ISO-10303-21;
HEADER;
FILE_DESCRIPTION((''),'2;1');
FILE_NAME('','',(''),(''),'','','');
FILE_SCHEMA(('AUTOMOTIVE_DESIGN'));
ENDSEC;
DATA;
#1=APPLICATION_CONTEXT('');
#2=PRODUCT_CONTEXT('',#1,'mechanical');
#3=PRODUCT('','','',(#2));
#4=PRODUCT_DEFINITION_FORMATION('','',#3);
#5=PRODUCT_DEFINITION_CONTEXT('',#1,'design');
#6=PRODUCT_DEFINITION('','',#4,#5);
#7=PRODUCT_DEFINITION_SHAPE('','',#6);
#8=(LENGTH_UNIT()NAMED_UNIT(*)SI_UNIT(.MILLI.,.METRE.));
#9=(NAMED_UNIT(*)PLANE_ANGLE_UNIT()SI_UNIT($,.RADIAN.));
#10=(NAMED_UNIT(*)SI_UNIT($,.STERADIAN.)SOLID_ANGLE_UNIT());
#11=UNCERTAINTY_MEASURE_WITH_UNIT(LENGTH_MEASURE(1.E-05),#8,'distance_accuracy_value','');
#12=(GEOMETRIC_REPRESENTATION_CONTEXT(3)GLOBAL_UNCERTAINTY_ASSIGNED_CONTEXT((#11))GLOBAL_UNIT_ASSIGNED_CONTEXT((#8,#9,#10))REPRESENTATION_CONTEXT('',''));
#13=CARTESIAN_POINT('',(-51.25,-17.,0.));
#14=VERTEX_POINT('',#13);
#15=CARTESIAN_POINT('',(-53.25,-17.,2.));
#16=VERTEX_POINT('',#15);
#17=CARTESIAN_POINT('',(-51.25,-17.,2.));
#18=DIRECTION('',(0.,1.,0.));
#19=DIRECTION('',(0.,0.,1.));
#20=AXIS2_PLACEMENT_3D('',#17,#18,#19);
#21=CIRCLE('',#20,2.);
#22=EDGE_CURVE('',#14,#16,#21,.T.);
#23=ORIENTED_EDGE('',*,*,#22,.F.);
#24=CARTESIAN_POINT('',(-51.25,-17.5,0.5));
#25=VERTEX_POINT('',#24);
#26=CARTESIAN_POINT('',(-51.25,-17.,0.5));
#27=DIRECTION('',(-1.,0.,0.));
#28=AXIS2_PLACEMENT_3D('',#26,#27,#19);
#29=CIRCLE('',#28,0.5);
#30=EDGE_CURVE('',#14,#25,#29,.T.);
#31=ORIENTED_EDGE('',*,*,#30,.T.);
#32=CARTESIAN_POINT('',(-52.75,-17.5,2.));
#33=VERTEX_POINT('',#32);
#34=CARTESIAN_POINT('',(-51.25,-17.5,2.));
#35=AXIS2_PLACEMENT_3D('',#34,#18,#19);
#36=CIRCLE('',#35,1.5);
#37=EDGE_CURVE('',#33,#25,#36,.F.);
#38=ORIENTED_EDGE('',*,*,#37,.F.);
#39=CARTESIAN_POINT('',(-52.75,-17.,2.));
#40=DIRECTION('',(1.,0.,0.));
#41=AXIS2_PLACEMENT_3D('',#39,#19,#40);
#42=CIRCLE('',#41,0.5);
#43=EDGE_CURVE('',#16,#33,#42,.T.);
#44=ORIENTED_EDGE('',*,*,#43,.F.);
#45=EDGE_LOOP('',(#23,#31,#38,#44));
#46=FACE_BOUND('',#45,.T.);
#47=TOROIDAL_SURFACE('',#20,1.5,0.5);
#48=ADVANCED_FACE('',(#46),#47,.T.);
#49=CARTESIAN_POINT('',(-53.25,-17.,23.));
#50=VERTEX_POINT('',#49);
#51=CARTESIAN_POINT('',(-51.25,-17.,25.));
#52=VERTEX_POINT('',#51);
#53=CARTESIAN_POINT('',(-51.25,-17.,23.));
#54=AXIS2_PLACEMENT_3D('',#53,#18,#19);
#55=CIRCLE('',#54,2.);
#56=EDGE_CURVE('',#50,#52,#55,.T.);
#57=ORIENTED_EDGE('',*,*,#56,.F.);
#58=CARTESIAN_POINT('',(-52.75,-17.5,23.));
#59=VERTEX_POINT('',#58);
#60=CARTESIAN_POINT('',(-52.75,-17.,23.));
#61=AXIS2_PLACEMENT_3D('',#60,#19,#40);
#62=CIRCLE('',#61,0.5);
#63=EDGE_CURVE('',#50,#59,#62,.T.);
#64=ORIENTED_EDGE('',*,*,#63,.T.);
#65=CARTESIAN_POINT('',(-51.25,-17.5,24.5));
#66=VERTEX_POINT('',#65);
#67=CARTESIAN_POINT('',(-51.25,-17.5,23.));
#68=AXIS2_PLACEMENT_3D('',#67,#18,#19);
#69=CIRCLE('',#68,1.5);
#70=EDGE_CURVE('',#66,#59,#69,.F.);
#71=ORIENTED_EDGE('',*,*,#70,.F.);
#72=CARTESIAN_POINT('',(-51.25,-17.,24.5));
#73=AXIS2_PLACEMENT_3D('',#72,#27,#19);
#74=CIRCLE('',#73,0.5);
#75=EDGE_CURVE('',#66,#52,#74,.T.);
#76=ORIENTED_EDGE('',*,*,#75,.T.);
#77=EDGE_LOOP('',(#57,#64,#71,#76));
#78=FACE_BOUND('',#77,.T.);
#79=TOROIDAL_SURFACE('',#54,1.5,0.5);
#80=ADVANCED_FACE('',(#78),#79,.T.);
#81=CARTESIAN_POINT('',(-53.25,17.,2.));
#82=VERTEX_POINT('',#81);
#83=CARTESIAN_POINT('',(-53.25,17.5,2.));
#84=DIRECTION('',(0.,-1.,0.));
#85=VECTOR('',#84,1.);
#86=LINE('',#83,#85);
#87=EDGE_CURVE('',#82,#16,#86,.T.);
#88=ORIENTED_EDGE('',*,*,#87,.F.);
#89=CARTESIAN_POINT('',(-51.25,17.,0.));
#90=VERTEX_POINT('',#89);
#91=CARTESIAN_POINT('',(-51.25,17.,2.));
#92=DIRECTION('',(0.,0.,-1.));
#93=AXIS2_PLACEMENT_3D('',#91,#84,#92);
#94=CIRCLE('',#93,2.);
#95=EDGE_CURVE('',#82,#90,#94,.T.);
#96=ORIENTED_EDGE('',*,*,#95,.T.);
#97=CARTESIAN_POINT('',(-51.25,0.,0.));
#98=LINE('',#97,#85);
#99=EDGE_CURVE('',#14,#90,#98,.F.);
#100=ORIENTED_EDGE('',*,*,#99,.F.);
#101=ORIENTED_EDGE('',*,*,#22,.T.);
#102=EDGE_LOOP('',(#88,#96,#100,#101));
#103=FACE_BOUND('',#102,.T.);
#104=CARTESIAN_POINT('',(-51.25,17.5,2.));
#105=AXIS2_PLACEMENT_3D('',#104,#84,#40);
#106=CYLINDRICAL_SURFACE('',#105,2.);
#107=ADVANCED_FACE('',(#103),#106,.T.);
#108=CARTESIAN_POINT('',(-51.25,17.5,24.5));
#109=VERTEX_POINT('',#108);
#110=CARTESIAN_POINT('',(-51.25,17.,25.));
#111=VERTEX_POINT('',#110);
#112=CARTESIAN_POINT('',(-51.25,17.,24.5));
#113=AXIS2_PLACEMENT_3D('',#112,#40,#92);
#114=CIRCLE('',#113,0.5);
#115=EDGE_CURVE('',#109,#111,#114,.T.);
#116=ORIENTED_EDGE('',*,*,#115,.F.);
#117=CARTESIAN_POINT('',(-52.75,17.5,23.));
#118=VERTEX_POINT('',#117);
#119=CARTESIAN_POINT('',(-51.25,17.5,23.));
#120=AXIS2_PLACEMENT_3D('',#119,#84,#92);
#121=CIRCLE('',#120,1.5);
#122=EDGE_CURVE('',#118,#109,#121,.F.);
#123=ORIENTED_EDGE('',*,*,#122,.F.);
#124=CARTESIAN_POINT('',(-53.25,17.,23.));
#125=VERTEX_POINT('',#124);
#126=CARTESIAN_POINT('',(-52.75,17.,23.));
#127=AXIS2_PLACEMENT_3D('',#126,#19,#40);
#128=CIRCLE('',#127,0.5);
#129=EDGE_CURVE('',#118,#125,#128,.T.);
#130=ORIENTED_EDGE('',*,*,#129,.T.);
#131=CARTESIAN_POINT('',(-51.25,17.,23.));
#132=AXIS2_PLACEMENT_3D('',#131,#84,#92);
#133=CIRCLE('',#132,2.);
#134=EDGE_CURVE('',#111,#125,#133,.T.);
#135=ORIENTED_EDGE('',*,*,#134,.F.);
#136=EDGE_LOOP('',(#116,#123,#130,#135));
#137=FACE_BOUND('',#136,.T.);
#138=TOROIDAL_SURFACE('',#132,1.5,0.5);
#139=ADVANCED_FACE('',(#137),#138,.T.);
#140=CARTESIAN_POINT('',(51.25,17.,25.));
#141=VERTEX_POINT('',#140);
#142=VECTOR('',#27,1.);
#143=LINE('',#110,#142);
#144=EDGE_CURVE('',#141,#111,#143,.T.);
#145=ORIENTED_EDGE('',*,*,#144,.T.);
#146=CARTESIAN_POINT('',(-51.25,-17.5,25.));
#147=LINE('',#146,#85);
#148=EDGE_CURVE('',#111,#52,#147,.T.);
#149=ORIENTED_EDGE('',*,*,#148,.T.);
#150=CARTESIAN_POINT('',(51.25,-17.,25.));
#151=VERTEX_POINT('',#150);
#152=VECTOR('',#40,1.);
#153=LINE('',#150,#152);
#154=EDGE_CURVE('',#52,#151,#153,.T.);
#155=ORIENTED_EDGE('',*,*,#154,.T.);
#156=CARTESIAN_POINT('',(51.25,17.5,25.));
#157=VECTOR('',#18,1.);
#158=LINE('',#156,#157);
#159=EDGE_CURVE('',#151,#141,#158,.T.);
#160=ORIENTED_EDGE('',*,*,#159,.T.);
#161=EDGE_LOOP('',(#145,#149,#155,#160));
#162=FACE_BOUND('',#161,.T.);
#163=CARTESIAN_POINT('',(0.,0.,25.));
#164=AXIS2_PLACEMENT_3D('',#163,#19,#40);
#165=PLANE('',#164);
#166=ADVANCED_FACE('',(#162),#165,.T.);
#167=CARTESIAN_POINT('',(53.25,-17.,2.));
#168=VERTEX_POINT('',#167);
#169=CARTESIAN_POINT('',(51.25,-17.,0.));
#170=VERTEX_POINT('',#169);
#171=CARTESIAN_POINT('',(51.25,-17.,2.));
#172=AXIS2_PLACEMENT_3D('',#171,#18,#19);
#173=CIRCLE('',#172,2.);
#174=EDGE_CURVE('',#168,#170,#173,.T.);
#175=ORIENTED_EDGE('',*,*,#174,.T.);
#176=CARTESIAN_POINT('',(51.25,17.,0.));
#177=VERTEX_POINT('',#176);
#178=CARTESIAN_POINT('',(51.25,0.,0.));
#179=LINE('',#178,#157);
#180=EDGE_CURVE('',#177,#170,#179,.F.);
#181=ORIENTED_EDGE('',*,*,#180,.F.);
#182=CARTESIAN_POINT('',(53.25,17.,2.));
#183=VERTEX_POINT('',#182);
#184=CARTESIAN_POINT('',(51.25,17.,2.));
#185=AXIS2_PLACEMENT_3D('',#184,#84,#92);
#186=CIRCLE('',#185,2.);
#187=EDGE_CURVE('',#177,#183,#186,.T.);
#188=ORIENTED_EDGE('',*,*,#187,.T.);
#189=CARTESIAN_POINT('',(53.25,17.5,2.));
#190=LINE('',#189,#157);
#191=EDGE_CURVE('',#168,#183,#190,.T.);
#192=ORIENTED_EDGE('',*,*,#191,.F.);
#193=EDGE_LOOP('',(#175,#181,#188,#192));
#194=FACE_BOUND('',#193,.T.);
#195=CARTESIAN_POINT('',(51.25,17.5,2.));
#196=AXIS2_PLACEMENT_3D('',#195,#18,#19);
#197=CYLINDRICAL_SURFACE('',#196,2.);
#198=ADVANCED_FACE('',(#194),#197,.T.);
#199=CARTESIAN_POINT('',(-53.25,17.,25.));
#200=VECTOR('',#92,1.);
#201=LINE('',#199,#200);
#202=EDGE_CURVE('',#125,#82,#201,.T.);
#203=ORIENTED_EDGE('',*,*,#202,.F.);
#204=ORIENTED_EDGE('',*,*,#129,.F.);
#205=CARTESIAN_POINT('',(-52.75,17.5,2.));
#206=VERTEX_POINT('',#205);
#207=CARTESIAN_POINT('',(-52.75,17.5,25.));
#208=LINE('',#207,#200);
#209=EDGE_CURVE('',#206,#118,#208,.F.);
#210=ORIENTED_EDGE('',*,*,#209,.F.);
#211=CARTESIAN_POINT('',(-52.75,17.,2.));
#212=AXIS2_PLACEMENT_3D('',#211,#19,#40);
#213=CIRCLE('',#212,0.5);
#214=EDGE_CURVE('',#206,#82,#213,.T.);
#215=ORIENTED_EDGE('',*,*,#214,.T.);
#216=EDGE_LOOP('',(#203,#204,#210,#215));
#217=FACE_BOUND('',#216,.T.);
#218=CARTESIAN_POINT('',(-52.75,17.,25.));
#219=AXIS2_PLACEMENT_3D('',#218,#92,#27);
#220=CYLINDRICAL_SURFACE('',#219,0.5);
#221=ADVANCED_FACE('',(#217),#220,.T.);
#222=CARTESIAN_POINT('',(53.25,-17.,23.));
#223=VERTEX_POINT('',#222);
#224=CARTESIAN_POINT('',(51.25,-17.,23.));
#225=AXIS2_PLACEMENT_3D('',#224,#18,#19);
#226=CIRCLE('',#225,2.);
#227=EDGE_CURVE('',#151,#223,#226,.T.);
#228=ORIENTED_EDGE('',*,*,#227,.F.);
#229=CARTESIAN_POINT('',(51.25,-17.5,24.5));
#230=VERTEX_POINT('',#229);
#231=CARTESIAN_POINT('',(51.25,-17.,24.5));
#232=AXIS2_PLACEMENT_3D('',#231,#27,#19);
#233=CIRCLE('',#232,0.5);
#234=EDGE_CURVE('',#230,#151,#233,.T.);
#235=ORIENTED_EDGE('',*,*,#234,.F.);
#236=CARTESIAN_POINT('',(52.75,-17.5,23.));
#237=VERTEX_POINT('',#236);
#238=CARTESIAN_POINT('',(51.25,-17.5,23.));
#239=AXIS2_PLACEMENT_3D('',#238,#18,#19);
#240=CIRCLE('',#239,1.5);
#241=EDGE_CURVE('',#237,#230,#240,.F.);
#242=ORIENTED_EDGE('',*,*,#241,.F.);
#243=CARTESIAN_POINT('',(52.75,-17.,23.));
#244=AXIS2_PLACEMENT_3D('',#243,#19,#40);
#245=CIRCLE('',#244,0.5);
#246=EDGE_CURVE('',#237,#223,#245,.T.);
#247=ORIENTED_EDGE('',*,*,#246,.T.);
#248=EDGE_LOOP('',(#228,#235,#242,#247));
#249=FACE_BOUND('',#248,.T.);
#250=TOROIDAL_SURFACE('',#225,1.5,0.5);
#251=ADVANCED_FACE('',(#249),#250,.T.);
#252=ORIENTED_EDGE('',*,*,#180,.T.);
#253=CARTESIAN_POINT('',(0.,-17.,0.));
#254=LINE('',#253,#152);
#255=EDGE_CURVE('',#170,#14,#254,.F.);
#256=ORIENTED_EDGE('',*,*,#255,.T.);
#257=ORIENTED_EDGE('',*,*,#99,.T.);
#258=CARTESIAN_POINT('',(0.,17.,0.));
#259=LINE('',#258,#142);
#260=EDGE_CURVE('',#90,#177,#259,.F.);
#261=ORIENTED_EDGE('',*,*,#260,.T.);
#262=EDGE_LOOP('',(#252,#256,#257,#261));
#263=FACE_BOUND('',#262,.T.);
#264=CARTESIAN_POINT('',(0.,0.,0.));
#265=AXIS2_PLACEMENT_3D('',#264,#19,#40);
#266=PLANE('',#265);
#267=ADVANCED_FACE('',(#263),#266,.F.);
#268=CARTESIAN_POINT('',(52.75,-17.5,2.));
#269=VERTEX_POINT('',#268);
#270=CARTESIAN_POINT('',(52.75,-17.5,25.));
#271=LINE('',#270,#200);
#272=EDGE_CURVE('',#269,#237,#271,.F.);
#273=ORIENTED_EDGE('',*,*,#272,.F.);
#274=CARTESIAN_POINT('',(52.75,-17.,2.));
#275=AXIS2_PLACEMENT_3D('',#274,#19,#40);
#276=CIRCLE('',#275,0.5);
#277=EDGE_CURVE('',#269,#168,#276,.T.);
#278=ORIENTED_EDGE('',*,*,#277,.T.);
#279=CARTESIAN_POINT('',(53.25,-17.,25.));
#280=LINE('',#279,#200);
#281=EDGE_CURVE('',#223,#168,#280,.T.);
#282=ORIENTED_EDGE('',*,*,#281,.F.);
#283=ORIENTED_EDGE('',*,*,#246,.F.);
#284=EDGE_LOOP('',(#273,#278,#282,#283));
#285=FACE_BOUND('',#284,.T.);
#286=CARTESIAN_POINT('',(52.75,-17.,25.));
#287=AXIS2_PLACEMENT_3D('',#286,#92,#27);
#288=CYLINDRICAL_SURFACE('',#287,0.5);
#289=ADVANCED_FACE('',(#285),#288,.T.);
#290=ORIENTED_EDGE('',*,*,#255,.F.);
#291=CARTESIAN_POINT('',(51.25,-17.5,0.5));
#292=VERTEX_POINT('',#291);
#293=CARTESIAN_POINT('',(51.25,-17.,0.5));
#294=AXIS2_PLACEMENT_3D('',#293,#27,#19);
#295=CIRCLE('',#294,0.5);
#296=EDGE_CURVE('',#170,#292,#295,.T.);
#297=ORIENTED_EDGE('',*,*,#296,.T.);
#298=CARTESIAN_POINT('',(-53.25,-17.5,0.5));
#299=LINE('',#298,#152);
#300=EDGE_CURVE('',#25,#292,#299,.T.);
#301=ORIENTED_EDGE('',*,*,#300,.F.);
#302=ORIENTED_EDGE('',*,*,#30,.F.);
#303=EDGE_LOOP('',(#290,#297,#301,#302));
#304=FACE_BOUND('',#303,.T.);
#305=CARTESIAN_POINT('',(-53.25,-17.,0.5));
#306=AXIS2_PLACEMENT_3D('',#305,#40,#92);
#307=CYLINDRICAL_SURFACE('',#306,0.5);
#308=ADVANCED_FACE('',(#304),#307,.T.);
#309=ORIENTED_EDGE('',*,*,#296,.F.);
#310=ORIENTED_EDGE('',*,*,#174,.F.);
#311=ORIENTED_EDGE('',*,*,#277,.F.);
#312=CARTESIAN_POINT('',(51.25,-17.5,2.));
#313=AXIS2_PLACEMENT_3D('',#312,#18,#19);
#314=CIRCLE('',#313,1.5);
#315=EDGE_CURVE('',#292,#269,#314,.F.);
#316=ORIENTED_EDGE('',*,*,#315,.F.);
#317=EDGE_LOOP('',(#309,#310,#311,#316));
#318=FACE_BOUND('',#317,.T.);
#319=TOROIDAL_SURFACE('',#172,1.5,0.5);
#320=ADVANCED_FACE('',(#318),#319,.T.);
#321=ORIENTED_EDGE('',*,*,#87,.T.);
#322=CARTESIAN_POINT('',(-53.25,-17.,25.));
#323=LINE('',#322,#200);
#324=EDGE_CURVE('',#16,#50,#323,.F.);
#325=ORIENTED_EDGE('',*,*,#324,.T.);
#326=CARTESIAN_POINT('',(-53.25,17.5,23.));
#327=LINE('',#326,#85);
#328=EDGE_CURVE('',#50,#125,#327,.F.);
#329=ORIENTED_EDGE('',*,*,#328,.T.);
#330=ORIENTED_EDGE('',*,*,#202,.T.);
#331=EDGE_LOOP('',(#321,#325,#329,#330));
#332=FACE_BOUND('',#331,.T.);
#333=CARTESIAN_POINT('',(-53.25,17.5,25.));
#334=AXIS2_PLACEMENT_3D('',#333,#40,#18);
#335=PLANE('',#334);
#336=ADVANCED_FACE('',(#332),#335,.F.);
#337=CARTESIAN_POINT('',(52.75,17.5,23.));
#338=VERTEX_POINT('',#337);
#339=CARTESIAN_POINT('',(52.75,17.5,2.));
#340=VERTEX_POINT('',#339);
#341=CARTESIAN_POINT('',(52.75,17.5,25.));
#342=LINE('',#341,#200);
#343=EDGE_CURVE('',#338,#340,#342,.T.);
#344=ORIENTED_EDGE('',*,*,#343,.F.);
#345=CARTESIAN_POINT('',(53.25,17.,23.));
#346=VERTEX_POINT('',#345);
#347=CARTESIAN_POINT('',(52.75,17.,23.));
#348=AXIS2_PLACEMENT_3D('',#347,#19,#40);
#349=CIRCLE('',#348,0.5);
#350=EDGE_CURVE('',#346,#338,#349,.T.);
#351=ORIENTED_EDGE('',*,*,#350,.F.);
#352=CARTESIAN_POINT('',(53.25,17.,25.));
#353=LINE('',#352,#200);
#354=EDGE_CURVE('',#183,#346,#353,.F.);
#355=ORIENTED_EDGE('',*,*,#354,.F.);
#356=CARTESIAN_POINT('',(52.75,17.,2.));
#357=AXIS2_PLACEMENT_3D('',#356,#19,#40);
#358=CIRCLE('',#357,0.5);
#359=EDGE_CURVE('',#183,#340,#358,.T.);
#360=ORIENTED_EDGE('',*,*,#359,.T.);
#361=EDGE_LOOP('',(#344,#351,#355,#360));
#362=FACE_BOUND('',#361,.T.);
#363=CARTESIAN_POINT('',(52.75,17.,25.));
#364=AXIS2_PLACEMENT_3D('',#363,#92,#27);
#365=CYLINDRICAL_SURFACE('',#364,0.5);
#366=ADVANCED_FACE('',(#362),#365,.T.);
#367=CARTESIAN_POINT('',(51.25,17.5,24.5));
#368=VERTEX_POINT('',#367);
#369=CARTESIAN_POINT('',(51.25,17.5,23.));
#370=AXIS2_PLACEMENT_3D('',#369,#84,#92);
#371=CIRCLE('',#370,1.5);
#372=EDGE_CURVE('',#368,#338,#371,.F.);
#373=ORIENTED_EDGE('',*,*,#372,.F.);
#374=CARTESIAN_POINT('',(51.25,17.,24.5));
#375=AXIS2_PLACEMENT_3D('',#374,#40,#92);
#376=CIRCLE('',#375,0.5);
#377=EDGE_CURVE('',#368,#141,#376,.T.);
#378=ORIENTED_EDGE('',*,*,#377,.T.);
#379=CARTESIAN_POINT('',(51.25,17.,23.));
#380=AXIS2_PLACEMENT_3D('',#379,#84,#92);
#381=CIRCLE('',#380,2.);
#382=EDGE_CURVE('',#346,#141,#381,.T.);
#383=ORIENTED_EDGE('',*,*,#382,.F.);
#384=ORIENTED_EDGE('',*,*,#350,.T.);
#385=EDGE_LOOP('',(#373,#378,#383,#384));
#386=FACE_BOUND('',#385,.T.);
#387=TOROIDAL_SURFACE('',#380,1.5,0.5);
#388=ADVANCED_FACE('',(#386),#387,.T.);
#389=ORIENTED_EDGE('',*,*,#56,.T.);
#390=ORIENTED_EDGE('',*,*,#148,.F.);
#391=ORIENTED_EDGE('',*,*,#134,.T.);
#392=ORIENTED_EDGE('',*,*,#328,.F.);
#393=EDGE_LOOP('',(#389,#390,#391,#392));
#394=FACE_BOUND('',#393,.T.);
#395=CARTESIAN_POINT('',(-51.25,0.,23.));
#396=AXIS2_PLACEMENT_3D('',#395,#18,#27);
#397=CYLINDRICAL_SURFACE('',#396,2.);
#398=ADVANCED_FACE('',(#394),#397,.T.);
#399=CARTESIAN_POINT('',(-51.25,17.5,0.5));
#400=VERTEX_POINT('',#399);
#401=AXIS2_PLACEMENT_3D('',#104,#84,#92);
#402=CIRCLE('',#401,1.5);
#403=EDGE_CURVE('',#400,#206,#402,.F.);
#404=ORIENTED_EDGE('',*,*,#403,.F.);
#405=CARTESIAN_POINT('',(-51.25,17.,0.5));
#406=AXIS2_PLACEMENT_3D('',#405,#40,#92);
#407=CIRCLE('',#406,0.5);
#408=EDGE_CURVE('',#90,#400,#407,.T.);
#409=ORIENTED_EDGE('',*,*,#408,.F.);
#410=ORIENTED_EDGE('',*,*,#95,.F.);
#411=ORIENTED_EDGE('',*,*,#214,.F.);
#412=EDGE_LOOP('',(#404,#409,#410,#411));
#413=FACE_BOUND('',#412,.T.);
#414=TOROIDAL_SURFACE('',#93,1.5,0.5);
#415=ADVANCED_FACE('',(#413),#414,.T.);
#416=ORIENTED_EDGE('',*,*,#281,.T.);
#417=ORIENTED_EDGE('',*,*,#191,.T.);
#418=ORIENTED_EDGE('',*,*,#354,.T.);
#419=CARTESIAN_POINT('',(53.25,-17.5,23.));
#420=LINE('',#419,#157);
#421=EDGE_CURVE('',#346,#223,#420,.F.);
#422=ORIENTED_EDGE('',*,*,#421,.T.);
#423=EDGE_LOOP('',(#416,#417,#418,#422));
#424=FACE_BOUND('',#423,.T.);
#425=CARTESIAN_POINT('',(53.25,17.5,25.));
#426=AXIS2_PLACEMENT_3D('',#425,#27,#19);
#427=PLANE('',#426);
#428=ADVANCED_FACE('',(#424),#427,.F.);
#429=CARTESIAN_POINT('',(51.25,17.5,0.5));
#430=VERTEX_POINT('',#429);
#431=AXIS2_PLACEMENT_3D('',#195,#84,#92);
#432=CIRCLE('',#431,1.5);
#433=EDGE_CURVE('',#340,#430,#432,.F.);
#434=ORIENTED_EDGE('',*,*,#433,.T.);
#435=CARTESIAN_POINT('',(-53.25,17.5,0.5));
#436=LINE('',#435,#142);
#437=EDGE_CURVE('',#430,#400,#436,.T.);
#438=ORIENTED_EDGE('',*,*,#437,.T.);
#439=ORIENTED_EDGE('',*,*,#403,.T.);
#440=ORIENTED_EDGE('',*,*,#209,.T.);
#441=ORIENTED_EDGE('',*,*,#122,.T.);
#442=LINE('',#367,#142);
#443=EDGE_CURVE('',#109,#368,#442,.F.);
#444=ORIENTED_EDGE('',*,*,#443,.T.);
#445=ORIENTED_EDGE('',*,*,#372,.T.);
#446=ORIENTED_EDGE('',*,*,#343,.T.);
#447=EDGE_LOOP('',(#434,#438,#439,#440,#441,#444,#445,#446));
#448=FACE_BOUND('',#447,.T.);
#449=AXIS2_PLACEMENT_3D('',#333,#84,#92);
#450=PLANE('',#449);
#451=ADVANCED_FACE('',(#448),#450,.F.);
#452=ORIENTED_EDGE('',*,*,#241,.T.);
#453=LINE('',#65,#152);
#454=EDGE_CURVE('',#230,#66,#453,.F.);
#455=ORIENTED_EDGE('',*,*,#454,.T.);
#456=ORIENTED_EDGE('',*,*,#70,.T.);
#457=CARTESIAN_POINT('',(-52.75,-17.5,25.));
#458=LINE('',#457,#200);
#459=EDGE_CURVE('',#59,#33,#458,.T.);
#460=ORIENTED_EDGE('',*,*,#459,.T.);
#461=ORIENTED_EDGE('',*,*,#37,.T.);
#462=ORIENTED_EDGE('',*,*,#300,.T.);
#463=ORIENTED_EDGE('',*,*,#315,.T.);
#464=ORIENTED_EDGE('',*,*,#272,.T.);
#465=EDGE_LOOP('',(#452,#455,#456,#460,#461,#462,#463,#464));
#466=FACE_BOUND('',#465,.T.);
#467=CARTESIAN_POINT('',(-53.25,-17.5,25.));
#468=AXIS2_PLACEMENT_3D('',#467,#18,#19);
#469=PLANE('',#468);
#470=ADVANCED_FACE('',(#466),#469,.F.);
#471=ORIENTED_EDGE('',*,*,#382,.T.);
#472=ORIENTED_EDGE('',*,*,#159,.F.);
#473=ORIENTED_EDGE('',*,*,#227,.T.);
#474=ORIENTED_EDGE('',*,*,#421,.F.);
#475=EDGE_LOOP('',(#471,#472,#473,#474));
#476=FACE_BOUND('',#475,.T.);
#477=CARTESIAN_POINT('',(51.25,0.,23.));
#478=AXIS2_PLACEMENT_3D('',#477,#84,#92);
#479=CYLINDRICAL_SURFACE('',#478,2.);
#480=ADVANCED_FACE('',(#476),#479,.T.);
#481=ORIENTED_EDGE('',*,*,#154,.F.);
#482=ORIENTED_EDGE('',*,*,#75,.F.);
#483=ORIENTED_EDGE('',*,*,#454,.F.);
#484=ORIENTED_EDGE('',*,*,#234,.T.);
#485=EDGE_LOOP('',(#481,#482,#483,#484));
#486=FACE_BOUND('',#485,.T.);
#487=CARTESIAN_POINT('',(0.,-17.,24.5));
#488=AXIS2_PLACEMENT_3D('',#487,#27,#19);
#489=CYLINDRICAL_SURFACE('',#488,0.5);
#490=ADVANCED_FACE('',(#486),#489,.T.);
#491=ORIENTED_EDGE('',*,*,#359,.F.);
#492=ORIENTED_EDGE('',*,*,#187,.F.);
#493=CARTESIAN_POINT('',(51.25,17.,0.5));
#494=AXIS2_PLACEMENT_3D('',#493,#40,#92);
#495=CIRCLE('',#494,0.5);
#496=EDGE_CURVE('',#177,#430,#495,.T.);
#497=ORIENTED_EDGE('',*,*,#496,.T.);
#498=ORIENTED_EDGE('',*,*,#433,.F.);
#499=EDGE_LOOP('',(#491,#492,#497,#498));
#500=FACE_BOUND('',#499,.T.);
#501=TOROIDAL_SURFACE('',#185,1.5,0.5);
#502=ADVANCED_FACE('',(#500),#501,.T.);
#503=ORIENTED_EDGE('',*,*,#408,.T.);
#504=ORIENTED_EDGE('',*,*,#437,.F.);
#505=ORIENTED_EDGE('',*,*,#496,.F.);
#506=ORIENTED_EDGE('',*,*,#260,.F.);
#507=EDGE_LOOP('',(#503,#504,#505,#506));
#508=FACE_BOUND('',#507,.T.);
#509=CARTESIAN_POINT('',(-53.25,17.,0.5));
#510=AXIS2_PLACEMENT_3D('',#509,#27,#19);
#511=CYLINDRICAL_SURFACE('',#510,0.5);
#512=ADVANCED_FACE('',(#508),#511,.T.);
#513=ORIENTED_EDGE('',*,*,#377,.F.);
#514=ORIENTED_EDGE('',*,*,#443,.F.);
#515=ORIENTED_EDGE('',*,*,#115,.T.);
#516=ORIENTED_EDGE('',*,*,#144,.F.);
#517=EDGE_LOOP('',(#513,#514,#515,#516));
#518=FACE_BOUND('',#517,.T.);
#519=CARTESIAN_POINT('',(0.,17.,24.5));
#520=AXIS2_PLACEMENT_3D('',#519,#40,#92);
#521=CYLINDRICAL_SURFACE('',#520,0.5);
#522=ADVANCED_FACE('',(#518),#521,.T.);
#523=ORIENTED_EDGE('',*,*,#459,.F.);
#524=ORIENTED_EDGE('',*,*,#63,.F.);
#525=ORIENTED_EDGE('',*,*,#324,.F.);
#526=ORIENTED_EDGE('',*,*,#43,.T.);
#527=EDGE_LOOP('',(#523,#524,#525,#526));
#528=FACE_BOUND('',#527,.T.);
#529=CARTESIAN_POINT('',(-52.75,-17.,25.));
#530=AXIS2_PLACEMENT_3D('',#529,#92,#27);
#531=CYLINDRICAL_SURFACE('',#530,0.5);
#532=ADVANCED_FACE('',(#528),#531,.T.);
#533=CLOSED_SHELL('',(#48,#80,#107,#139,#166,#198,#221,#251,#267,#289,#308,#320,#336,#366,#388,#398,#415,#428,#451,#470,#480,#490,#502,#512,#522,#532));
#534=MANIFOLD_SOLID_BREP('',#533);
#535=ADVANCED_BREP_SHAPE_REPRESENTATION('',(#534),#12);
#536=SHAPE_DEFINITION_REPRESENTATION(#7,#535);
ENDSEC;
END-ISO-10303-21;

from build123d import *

# Parameters (mm, degrees)
SKETCH1_W           = 106.5
SKETCH1_H           = 35
BOSS_EXTRUDE1_DEPTH = 25
FILLET1_R           = 2
FILLET2_R           = 0.5


with BuildPart() as part:
    # Sketch1 → Boss-Extrude1 (new body)
    with BuildSketch(Plane.XY):
        Rectangle(SKETCH1_W, SKETCH1_H)
    extrude(amount=BOSS_EXTRUDE1_DEPTH)

    # Fillet1
    fillet1_edges = [part.edges().sort_by_distance(p)[0] for p in [
        (-53.25, 0, 25),
        (53.25, 0, 25),
        (-53.25, 0, 0),
        (53.25, 0, 0),
    ]]
    fillet(fillet1_edges, radius=FILLET1_R)

    # Fillet2
    fillet2_edges = [part.edges().sort_by_distance(p)[0] for p in [
        (-53.25, -17.5, 12.5),
        (-53.25, 17.5, 12.5),
        (0, -17.5, 0),
        (53.25, -17.5, 12.5),
        (0, -17.5, 25),
        (52.664213562, -17.5, 0.585786438),
        (52.664213562, -17.5, 24.414213562),
        (-52.664213562, -17.5, 24.414213562),
        (-52.664213562, -17.5, 0.585786438),
        (0, 17.5, 0),
        (0, 17.5, 25),
        (53.25, 17.5, 12.5),
        (52.664213562, 17.5, 0.585786438),
        (52.664213562, 17.5, 24.414213562),
        (-52.664213562, 17.5, 24.414213562),
        (-52.664213562, 17.5, 0.585786438),
    ]]
    fillet(fillet2_edges, radius=FILLET2_R)


solid = part.part
